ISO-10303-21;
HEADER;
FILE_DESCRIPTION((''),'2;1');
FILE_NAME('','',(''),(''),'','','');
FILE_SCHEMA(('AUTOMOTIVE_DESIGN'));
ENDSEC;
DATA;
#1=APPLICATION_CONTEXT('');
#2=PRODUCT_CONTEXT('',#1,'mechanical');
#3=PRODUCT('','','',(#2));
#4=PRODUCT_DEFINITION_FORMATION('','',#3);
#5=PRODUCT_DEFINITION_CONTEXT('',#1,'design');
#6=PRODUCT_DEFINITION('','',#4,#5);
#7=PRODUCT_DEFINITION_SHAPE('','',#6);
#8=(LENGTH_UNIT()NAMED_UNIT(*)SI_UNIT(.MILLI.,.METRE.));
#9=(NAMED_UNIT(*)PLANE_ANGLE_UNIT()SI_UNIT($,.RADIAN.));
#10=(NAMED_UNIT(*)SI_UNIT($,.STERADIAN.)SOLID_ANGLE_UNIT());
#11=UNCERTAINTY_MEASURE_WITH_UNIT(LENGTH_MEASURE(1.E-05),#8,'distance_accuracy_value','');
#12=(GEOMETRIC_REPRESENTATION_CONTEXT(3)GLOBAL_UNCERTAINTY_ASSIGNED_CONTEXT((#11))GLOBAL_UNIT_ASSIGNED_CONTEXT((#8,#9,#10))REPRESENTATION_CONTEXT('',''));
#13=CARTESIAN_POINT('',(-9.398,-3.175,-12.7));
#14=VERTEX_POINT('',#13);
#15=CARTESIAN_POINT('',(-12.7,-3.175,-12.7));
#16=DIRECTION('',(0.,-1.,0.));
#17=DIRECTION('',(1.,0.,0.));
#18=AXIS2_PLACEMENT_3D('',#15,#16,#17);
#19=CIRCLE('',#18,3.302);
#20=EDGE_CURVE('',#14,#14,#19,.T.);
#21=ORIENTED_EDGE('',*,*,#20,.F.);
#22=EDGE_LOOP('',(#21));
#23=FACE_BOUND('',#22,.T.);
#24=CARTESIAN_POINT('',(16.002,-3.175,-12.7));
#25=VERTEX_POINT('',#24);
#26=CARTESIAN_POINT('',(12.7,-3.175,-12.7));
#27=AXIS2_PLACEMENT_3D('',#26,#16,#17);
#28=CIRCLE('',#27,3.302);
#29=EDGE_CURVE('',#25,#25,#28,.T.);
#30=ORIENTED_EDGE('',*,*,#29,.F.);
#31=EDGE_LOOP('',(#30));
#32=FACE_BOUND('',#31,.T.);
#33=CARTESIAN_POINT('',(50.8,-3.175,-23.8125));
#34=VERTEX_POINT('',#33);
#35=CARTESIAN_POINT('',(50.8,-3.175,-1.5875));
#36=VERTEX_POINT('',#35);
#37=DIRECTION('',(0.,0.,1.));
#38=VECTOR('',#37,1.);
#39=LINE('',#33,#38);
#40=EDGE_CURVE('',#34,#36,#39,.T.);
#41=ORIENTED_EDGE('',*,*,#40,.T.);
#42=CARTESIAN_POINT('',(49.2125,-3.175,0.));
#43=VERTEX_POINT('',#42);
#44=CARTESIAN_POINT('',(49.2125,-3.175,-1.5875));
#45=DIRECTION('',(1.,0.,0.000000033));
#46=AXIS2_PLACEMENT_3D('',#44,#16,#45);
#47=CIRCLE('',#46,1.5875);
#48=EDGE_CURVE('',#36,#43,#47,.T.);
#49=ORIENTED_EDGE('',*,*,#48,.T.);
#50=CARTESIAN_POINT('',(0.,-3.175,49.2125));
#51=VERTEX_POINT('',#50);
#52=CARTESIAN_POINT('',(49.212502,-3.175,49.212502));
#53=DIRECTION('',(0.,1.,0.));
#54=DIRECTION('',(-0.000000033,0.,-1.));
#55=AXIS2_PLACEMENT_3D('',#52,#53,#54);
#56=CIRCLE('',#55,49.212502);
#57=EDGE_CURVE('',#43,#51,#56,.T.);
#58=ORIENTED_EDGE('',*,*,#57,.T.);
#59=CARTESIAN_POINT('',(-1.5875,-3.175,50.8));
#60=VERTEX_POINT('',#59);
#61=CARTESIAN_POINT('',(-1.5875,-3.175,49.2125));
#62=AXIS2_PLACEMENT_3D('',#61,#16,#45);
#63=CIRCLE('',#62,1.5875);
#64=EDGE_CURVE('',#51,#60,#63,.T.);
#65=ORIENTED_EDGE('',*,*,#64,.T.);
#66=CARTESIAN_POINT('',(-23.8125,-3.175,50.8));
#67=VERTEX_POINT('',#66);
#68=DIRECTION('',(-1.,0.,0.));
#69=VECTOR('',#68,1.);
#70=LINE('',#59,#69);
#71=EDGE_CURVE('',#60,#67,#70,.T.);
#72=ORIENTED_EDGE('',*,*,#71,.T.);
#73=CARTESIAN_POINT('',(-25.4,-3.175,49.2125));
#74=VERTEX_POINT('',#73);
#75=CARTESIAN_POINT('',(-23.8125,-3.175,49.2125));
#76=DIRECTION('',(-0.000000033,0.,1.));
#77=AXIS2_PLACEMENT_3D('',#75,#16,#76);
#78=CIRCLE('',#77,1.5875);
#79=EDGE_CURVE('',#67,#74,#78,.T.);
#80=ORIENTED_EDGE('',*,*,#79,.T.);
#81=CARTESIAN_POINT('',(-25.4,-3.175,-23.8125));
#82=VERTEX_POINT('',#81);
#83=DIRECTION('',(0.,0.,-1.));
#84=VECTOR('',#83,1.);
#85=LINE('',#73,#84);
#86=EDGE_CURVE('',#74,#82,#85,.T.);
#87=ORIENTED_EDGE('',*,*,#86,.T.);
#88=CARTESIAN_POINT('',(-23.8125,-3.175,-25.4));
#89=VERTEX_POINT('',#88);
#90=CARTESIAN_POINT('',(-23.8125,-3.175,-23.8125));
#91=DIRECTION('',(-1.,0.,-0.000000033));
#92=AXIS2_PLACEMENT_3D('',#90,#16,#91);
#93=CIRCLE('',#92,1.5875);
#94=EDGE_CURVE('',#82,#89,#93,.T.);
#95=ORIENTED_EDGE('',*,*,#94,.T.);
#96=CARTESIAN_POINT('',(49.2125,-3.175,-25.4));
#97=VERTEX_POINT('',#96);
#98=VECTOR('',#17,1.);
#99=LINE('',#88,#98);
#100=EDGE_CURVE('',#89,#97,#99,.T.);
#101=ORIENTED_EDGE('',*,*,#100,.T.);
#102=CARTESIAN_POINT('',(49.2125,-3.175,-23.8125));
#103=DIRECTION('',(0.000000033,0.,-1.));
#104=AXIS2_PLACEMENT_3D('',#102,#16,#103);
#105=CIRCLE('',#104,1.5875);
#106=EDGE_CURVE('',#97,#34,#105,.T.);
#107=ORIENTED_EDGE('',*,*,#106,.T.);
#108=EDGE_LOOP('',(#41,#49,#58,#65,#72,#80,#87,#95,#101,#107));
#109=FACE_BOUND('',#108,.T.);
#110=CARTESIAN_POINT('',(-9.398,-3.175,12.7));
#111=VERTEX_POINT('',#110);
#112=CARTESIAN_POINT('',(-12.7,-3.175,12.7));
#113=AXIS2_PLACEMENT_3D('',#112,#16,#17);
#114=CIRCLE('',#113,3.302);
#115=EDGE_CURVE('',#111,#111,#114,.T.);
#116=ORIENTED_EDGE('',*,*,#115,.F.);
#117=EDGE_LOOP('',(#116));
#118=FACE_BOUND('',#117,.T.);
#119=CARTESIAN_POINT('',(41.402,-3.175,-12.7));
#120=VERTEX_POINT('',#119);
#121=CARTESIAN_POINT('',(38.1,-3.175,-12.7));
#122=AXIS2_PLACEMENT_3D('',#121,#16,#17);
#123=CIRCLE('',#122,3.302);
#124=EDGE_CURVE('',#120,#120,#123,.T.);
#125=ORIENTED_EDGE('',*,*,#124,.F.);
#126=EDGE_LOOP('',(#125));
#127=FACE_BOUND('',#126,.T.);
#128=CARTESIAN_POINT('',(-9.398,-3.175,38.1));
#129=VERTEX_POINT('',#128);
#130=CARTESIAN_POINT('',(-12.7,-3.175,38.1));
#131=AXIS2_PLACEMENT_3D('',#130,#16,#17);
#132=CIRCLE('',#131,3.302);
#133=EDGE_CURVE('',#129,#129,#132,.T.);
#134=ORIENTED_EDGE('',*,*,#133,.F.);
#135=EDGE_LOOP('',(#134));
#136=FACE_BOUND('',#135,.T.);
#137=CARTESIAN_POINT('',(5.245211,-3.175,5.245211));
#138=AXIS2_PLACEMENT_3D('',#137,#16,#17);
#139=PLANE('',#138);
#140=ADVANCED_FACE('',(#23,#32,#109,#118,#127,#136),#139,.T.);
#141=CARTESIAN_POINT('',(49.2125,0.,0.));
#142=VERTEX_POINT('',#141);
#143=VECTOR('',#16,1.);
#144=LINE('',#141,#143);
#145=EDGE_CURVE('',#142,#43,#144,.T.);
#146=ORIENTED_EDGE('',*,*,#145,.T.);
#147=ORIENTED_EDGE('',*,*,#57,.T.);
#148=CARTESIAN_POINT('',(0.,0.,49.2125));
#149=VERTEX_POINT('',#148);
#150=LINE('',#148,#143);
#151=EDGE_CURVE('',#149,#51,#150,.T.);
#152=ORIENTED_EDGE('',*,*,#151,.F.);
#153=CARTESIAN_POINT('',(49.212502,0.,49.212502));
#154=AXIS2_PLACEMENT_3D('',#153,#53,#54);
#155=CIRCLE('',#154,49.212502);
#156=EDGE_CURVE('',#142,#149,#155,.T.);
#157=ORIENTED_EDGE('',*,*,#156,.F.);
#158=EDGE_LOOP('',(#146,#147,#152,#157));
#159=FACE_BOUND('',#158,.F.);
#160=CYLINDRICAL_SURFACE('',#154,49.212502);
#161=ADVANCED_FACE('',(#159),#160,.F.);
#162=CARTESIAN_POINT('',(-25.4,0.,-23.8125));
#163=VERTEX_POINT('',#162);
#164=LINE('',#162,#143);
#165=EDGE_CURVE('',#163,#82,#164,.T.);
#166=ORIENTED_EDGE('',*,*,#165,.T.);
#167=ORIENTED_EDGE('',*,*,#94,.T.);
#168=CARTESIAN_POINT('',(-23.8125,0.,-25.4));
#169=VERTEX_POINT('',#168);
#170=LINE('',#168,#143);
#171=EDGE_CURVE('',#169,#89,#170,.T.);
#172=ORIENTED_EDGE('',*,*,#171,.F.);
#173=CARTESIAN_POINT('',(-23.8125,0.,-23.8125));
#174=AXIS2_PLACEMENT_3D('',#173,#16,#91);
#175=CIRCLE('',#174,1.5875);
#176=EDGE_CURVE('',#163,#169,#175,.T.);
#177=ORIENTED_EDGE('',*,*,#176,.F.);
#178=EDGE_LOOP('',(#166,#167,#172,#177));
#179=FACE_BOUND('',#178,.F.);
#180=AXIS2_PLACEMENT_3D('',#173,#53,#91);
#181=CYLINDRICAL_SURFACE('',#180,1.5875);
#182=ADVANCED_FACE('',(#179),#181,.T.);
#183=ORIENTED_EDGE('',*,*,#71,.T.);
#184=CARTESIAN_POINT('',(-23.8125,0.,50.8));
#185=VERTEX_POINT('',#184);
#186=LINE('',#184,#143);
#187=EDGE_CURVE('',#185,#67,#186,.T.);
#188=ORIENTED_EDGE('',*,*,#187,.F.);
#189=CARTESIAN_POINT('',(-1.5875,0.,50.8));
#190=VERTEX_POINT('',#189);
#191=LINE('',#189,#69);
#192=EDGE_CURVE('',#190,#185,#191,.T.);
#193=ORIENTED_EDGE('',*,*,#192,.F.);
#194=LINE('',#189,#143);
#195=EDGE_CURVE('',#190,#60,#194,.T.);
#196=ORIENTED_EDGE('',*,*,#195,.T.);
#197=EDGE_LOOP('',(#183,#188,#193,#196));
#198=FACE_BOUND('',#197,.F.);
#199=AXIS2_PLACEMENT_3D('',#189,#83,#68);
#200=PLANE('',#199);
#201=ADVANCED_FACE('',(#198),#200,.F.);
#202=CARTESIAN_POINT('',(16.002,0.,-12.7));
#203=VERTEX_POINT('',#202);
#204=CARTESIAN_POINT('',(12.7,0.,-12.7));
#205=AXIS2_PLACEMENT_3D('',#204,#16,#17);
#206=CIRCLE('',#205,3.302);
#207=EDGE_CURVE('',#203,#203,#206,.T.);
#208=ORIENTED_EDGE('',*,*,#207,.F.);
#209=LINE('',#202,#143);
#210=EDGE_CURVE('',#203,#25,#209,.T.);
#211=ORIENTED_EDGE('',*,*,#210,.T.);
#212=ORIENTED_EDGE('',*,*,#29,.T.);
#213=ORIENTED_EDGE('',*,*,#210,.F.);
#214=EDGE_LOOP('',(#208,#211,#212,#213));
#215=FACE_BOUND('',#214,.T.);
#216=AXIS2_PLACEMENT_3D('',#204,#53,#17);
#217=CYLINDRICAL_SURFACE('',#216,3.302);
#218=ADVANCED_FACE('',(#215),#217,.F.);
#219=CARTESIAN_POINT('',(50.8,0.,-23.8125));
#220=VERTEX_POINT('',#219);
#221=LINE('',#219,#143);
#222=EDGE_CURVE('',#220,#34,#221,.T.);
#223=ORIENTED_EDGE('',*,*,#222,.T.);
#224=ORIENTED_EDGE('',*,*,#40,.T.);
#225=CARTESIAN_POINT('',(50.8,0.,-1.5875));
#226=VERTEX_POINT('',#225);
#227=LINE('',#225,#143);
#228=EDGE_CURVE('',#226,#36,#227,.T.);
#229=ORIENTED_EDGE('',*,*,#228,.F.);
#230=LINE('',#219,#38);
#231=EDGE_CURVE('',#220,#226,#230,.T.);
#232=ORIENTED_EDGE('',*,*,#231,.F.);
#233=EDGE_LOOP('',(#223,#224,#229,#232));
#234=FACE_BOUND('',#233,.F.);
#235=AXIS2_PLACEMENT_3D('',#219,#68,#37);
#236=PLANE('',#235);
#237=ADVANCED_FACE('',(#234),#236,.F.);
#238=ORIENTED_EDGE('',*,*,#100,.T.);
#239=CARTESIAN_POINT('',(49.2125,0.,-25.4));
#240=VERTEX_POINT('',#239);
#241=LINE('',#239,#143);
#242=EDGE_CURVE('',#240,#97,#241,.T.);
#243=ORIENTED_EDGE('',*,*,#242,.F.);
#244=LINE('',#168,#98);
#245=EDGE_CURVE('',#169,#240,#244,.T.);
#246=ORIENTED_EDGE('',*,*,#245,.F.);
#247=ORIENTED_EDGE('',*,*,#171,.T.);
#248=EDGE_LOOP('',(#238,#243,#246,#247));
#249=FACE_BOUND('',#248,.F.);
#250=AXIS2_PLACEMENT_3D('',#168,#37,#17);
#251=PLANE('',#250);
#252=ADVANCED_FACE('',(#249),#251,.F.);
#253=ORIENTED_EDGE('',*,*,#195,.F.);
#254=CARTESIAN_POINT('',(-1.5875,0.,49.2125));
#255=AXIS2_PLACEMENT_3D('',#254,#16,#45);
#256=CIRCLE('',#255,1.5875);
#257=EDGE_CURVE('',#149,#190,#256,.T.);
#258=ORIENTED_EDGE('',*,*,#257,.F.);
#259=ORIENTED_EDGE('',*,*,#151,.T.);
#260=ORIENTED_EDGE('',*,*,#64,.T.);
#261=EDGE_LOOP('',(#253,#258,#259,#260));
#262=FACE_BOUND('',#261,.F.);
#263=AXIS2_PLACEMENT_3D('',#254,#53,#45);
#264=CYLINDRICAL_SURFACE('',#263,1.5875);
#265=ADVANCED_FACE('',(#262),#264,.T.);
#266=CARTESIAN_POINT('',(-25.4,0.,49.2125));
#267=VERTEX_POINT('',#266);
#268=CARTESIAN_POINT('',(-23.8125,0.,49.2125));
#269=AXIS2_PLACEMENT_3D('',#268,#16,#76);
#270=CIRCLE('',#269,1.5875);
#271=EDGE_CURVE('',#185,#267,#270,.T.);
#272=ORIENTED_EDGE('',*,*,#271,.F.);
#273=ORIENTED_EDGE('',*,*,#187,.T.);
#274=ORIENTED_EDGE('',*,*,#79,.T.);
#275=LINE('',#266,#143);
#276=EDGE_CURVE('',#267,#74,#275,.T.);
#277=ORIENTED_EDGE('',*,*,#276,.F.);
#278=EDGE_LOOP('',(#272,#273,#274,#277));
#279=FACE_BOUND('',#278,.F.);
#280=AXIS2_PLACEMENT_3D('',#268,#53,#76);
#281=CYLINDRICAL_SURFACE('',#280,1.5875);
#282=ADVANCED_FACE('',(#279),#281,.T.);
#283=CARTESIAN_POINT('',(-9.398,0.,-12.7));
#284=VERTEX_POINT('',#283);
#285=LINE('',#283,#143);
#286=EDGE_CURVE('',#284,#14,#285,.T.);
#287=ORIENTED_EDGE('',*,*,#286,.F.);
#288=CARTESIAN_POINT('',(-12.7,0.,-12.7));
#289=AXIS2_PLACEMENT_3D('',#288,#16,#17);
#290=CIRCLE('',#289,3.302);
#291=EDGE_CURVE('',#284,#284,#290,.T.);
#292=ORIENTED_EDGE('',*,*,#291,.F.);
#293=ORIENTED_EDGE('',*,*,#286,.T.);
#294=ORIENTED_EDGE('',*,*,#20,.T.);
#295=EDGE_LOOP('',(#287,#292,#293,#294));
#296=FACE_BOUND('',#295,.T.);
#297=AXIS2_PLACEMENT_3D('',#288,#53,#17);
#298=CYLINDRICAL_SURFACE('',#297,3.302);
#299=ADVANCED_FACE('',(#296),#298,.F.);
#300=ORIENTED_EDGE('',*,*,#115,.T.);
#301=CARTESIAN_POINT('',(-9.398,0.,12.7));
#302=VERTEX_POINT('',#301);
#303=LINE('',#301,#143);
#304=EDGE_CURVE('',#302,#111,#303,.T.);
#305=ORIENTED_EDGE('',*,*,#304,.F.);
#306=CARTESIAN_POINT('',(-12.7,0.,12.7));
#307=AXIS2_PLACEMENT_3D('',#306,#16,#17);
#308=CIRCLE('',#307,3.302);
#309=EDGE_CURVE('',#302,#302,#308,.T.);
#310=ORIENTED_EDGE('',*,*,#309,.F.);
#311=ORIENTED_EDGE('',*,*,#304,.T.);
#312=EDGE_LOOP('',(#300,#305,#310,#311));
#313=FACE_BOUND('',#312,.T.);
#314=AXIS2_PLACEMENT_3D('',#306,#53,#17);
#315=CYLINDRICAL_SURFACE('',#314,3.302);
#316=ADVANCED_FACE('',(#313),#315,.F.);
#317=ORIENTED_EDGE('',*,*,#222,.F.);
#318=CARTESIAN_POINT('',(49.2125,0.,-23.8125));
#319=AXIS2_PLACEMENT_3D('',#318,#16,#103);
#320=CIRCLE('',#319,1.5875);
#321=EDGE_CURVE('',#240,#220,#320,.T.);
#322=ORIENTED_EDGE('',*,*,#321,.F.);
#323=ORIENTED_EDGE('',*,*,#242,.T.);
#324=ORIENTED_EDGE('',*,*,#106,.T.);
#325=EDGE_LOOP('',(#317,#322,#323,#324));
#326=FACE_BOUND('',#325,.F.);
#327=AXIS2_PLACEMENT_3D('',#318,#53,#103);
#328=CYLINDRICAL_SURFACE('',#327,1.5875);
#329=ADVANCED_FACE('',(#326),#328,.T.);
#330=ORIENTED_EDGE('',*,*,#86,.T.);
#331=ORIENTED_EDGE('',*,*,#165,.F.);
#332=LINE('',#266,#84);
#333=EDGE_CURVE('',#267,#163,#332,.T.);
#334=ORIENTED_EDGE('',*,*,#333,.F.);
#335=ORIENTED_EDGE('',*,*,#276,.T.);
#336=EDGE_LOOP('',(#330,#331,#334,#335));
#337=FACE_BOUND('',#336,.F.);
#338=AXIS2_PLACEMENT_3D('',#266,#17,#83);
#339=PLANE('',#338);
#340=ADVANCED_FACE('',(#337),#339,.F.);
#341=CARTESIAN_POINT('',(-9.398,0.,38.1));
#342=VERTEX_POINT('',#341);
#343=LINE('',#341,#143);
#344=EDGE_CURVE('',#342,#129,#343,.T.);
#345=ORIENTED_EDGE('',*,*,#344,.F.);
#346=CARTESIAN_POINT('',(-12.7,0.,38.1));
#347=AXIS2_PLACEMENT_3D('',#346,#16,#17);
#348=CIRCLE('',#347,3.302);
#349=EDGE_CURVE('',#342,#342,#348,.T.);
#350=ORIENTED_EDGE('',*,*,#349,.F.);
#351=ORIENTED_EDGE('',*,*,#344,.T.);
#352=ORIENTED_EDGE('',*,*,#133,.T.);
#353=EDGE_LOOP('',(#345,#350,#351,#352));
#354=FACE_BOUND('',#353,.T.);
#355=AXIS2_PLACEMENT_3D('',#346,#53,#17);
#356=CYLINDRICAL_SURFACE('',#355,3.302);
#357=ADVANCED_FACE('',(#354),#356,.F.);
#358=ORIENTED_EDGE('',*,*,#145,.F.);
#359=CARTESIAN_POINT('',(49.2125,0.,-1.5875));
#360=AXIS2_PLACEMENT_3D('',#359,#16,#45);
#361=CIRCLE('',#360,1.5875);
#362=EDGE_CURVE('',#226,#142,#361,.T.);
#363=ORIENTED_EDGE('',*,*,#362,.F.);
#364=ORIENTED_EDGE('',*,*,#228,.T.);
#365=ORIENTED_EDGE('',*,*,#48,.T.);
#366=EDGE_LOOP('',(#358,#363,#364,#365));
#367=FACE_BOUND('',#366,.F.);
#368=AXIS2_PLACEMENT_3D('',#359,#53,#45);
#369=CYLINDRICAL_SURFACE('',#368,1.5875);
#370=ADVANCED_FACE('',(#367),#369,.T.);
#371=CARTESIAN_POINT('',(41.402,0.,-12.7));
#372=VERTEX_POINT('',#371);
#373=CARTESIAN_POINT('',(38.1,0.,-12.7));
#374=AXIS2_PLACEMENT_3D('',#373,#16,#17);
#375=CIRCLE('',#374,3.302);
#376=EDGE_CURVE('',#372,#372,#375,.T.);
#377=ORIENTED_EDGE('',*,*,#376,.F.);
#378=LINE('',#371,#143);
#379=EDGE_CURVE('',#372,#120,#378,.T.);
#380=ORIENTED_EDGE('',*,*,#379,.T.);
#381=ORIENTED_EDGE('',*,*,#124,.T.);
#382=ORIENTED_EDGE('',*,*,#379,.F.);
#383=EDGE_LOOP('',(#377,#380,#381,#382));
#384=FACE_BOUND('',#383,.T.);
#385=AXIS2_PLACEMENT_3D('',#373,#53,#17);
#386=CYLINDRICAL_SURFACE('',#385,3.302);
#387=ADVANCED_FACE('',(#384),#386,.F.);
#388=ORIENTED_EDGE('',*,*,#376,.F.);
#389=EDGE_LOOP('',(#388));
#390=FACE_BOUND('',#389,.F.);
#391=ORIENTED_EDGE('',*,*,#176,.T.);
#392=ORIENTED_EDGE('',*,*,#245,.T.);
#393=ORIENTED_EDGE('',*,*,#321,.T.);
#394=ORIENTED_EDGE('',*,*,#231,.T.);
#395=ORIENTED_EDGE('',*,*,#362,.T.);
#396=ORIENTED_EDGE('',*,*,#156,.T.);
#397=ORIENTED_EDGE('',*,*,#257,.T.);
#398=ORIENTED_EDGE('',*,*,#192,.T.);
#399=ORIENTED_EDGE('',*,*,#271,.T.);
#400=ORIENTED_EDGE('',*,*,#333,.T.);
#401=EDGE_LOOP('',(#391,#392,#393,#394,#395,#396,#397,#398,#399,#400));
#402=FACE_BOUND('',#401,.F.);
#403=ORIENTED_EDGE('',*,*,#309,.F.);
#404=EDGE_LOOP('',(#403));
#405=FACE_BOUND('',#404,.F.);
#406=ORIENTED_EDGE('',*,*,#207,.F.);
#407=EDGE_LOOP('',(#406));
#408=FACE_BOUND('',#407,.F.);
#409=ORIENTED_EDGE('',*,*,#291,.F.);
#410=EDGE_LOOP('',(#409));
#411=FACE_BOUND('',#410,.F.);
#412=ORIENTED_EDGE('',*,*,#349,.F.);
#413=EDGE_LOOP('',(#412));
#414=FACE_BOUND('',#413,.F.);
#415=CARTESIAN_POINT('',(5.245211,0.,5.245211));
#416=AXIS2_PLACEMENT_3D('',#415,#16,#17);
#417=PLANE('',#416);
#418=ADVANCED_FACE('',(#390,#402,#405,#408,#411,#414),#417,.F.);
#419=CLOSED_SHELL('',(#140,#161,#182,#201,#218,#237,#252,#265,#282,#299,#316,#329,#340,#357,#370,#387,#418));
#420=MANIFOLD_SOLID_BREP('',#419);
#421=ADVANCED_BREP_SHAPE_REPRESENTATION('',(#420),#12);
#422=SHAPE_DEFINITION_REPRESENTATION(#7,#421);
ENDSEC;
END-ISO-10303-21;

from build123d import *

# Parameters (mm, degrees)
F0_R     = 3.302
F1_DEPTH = 3.175


with BuildPart() as f1:
    # F0 (on Front) → F1 (new body)
    with BuildSketch(Plane.XZ):
        with BuildLine():
            Line((-1.5875, 50.8), (-23.8125, 50.8))
            ThreePointArc((-23.8125, 50.8), (-24.935032, 50.335032), (-25.4, 49.2125))
            Line((-25.4, 49.2125), (-25.4, -23.8125))
            ThreePointArc((-25.4, -23.8125), (-24.935032, -24.935032), (-23.8125, -25.4))
            Line((-23.8125, -25.4), (0, -25.4))
            Line((0, -25.4), (49.2125, -25.4))
            ThreePointArc((49.2125, -25.4), (50.335032, -24.935032), (50.8, -23.8125))
            Line((50.8, -23.8125), (50.8, -1.5875))
            ThreePointArc((50.8, -1.5875), (50.335032, -0.464968), (49.2125, 0))
            ThreePointArc((49.2125, 0), (14.414008, 14.414008), (0, 49.2125))
            ThreePointArc((0, 49.2125), (-0.464968, 50.335032), (-1.5875, 50.8))
        make_face()
        with Locations((-12.7, -12.7)):
            Circle(F0_R, mode=Mode.SUBTRACT)
        with Locations((12.7, -12.7)):
            Circle(F0_R, mode=Mode.SUBTRACT)
        with Locations((38.1, -12.7)):
            Circle(F0_R, mode=Mode.SUBTRACT)
        with Locations((-12.7, 12.7)):
            Circle(F0_R, mode=Mode.SUBTRACT)
        with Locations((-12.7, 38.1)):
            Circle(F0_R, mode=Mode.SUBTRACT)
    extrude(amount=F1_DEPTH)


solid = f1.part
